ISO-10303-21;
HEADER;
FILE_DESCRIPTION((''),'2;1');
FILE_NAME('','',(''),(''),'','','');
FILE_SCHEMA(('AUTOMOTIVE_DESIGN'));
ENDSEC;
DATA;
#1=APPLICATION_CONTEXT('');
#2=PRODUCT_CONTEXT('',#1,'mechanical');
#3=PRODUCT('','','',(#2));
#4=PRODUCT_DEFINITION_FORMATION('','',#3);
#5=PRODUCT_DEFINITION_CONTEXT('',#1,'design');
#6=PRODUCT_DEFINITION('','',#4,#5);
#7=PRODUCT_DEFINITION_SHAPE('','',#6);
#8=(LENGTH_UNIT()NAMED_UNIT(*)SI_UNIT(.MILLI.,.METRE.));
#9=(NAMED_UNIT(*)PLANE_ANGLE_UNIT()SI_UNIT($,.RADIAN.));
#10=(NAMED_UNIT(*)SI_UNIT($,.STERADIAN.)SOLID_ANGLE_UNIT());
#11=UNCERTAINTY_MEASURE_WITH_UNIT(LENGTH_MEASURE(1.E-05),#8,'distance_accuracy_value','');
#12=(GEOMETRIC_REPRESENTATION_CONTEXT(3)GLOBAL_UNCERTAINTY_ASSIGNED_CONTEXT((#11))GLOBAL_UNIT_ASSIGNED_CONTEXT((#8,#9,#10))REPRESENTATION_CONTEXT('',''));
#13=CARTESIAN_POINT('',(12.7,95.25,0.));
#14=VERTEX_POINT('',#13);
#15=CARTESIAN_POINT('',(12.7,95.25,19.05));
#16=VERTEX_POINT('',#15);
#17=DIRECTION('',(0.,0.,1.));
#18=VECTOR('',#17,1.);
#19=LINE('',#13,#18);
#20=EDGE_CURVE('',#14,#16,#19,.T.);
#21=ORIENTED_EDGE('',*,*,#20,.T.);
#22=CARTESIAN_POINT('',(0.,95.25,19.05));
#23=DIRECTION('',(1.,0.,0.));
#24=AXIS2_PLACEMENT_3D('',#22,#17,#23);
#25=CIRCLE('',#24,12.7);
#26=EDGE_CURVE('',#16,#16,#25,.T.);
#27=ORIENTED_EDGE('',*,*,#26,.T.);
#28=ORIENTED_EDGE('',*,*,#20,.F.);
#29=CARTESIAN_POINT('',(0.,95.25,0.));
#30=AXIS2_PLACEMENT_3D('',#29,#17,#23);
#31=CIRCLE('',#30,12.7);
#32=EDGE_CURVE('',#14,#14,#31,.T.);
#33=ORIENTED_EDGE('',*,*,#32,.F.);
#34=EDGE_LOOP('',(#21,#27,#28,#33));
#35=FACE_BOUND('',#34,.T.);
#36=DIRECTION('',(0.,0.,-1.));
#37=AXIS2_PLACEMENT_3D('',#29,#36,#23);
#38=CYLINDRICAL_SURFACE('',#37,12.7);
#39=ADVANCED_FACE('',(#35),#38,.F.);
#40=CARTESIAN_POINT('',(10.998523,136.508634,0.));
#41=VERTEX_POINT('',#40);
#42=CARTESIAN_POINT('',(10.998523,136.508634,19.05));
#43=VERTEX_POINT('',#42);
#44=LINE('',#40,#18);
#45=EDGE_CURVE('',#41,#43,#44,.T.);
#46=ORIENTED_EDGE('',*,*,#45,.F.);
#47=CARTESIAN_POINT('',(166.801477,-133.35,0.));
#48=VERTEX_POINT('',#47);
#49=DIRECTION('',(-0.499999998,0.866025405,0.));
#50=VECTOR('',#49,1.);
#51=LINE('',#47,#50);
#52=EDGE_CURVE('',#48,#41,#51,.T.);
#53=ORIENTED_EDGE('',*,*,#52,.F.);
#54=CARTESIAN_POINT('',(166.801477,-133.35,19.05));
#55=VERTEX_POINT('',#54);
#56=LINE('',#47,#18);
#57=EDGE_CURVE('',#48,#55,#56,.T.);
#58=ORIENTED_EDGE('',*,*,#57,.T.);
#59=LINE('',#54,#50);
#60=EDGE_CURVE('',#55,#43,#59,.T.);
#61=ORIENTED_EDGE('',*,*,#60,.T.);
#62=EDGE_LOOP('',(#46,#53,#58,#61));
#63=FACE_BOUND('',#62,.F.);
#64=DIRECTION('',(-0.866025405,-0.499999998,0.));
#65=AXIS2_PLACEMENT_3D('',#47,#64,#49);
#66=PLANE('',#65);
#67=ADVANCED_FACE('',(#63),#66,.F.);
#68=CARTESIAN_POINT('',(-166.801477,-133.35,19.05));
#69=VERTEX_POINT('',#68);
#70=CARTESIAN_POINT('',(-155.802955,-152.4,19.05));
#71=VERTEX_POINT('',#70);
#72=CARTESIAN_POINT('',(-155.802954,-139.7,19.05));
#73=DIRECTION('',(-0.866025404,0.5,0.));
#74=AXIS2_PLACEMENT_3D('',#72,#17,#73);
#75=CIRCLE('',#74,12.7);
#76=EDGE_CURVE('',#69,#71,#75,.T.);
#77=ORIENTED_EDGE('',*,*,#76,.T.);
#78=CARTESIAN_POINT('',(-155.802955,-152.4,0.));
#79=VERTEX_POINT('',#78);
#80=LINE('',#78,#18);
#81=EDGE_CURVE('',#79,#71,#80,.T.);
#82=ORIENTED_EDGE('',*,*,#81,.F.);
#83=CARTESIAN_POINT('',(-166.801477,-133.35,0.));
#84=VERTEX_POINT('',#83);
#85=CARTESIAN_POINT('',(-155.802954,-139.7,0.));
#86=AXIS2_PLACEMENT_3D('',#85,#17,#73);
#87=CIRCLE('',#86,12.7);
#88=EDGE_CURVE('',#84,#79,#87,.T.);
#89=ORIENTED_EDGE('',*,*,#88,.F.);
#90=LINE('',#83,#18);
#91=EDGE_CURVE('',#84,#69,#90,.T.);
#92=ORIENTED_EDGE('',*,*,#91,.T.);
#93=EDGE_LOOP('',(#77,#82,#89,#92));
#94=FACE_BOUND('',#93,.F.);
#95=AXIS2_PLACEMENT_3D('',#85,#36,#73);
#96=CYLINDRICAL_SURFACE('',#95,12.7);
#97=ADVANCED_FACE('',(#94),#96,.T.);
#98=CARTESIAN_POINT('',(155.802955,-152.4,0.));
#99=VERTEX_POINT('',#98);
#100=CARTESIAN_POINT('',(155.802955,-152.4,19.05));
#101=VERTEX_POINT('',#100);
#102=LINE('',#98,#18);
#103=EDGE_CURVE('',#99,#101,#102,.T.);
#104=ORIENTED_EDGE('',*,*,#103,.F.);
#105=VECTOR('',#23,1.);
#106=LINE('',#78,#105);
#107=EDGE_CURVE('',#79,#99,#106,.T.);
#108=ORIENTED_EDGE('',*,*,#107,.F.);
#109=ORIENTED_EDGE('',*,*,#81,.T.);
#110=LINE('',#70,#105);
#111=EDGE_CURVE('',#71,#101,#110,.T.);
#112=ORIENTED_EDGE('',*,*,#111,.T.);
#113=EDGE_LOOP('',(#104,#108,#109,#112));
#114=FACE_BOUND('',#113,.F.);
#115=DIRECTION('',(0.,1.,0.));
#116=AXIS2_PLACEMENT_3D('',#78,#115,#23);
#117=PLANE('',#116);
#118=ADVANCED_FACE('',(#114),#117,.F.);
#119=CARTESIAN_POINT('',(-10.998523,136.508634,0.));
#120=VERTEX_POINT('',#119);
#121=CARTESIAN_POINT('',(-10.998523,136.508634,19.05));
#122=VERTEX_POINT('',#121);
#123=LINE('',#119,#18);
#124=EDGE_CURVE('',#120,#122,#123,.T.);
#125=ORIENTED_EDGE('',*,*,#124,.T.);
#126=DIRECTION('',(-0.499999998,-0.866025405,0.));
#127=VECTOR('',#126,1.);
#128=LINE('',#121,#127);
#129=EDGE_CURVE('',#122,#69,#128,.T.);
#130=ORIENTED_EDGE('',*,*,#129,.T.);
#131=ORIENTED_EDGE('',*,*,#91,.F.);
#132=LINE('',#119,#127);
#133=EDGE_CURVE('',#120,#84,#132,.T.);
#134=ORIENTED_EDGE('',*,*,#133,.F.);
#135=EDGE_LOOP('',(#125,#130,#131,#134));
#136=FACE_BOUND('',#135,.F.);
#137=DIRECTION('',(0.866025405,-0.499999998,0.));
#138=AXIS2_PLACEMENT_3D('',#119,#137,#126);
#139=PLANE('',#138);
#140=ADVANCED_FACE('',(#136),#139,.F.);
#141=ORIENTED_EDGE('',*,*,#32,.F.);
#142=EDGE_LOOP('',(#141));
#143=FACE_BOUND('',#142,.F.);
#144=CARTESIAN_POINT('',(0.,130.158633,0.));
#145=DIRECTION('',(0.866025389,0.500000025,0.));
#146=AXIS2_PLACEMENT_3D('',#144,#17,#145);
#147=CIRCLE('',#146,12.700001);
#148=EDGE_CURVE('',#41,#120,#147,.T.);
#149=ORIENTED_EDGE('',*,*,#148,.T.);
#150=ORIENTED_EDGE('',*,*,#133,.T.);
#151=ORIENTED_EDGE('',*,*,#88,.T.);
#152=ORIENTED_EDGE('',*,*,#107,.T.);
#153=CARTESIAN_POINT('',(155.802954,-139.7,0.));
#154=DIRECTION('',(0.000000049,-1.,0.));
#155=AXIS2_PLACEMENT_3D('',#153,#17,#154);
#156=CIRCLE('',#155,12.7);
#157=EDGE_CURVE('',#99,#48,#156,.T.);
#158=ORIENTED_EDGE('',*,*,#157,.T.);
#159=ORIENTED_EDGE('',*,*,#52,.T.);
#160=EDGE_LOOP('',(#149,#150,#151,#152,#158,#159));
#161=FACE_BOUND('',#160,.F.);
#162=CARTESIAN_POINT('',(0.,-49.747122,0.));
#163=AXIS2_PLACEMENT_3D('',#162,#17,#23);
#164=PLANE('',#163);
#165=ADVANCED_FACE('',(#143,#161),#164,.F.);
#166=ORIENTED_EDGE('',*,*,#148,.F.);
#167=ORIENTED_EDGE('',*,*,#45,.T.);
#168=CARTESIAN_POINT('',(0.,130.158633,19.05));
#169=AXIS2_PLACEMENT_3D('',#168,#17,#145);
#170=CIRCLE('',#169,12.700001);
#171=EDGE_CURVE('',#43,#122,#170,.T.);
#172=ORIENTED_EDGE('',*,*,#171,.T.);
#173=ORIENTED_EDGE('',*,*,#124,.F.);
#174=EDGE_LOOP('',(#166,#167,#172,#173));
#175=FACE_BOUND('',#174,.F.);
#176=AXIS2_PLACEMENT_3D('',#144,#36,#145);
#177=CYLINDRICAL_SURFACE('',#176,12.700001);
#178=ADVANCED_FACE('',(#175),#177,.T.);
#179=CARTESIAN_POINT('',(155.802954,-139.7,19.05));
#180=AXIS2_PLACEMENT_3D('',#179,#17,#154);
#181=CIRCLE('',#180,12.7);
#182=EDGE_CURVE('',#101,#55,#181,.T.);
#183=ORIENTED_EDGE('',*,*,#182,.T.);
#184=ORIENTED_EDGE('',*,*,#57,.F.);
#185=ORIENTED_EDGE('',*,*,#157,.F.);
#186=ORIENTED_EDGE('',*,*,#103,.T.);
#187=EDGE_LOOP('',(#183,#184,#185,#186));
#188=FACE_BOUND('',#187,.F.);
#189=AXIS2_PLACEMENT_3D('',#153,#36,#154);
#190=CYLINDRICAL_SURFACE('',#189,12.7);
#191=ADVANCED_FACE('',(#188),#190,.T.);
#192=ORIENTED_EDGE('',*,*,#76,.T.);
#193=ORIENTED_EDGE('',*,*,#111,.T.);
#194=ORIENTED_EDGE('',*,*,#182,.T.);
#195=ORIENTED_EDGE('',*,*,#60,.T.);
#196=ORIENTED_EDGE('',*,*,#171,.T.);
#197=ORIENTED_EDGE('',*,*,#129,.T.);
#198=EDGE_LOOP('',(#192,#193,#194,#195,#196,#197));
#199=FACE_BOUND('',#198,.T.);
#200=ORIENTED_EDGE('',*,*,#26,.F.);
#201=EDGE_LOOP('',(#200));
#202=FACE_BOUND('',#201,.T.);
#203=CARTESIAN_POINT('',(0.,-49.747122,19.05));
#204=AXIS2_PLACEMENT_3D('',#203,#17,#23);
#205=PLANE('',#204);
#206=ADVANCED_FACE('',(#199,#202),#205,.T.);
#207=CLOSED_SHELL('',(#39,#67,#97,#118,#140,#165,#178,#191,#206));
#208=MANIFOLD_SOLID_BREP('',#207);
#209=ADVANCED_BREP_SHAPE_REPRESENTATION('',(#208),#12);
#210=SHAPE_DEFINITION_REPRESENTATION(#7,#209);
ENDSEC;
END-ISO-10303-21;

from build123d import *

# Parameters (mm, degrees)
F0_R     = 12.7
F1_DEPTH = 19.05


with BuildPart() as f1:
    # F0 (on Top) → F1 (new body)
    with BuildSketch(Plane.XY):
        with BuildLine():
            ThreePointArc((-166.801477, -133.35), (-166.801477, -146.05), (-155.802955, -152.4))
            Line((-155.802955, -152.4), (155.802955, -152.4))
            ThreePointArc((155.802955, -152.4), (166.801477, -146.05), (166.801477, -133.35))
            Line((166.801477, -133.35), (10.998523, 136.508634))
            ThreePointArc((10.998523, 136.508634), (0, 142.858634), (-10.998523, 136.508634))
            Line((-10.998523, 136.508634), (-166.801477, -133.35))
        make_face()
        with Locations((0, 95.25)):
            Circle(F0_R, mode=Mode.SUBTRACT)
    extrude(amount=F1_DEPTH)


solid = f1.part
